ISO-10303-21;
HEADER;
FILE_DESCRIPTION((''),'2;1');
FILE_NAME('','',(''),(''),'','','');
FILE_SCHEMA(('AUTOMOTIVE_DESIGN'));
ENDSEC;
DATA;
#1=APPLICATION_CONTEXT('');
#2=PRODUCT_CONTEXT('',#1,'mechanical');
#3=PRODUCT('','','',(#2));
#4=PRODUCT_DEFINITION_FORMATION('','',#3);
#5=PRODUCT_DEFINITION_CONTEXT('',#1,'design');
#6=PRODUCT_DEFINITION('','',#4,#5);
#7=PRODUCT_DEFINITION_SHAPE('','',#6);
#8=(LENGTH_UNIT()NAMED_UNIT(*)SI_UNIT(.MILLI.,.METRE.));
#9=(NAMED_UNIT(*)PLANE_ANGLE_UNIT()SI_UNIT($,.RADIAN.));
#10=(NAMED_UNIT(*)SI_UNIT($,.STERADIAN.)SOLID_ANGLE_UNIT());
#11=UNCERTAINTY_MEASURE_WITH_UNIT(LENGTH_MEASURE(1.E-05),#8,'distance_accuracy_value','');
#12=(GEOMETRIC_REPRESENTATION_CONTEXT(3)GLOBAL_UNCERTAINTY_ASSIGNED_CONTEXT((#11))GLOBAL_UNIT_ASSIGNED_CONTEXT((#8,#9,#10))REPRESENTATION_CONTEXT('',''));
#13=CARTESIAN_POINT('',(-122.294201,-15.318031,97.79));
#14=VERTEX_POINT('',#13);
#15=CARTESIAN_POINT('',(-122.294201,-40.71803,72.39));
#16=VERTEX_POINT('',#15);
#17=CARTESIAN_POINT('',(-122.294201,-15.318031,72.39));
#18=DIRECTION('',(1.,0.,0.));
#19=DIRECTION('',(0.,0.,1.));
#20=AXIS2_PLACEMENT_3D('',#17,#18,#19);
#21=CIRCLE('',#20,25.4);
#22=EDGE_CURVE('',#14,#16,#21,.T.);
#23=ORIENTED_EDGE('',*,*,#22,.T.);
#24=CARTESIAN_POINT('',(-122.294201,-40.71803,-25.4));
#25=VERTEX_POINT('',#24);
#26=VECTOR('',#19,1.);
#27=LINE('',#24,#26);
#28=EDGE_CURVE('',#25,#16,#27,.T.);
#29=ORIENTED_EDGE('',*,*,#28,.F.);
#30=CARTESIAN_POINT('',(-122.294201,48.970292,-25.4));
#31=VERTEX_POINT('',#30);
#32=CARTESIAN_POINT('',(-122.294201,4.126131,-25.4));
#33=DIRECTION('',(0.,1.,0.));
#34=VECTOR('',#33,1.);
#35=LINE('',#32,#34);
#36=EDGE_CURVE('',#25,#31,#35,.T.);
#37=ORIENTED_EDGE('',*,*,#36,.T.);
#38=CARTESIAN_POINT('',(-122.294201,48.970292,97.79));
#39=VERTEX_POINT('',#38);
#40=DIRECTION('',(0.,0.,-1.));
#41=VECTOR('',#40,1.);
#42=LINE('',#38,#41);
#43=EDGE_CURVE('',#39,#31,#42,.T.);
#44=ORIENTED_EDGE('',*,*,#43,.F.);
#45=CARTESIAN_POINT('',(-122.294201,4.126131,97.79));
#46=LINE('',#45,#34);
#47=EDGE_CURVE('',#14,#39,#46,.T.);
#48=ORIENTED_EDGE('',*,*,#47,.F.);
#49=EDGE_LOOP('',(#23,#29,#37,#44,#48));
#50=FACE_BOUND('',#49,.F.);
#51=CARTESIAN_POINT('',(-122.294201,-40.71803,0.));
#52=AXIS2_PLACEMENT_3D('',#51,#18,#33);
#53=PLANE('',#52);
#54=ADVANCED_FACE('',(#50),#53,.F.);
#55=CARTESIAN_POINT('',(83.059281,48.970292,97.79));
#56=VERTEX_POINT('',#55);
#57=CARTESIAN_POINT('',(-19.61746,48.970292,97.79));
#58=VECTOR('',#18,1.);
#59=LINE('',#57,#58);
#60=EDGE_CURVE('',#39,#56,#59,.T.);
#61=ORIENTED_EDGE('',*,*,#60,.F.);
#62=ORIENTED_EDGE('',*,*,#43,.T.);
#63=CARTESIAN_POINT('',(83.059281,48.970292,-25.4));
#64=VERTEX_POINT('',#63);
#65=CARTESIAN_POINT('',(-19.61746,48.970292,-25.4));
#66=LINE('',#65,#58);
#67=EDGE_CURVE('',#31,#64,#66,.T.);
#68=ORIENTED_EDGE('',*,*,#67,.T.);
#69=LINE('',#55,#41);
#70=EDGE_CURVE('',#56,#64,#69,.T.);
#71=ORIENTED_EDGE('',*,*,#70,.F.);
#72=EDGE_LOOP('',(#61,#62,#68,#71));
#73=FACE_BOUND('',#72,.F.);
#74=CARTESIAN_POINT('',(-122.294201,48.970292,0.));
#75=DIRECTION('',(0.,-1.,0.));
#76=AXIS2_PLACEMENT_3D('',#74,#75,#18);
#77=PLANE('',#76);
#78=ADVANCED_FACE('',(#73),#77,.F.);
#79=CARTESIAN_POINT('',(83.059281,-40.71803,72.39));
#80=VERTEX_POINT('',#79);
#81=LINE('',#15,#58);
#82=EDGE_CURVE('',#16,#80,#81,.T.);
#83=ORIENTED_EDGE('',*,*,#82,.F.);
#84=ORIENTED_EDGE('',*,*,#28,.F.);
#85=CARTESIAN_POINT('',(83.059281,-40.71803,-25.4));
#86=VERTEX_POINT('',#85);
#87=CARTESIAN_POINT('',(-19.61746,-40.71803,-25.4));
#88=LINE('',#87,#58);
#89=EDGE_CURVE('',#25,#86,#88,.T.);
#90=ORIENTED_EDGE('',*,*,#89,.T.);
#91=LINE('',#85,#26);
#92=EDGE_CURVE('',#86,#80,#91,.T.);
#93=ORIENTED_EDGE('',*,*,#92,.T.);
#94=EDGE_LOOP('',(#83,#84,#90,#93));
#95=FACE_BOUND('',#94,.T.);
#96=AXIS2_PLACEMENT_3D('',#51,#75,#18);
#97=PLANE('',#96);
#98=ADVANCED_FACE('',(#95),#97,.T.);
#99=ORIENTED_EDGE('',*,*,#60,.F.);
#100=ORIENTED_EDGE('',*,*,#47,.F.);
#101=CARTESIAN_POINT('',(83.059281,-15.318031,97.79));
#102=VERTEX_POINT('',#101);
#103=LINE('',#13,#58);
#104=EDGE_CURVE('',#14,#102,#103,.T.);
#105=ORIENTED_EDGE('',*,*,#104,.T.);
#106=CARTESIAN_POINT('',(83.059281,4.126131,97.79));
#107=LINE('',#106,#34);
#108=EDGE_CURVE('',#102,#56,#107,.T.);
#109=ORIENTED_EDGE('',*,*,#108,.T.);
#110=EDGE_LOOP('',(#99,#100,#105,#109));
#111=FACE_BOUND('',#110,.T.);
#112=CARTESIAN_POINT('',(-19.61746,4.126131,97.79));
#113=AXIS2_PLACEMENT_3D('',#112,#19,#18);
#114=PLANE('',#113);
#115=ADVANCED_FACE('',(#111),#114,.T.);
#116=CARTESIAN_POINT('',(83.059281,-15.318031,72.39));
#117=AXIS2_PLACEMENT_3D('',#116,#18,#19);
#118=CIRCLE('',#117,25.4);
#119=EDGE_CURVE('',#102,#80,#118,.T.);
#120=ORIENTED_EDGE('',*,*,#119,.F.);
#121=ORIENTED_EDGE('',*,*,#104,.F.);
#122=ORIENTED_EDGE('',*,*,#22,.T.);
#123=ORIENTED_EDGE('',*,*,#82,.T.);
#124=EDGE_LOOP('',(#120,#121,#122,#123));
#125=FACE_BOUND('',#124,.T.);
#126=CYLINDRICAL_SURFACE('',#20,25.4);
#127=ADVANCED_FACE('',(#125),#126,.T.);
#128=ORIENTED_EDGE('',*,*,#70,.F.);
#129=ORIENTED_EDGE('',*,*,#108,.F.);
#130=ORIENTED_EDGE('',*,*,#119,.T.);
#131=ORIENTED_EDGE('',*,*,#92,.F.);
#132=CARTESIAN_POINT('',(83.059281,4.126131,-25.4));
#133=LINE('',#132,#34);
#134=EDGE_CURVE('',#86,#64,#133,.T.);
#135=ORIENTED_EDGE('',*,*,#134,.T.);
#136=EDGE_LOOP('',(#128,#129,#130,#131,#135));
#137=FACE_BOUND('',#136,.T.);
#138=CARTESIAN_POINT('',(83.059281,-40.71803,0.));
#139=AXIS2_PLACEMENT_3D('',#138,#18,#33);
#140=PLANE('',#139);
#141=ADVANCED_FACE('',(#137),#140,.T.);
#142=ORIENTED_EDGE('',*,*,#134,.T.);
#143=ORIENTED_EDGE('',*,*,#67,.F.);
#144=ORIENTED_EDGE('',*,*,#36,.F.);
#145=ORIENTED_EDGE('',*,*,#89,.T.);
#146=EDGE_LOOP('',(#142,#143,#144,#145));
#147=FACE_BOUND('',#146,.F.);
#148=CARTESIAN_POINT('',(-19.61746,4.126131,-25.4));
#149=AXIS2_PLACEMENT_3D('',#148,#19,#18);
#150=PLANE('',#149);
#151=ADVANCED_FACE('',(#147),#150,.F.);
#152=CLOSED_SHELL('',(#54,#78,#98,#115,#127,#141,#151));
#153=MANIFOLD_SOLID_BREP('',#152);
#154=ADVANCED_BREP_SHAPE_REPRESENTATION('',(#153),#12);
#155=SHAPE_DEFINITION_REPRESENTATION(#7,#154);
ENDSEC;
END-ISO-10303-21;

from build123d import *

# Parameters (mm, degrees)
F0_W          = 205.353483
F0_H          = 89.688323
F1_DEPTH      = 97.79
F1_DEPTH_BACK = 25.4
F2_R          = 25.4


with BuildPart() as f1:
    # F0 (on Top) → F1 (new body, two sides)
    with BuildSketch(Plane.XY) as f1_sk:
        with Locations((-19.61746, 4.126131)):
            Rectangle(F0_W, F0_H)
    extrude(amount=F1_DEPTH)
    extrude(f1_sk.sketch, amount=-F1_DEPTH_BACK)

    # F2
    f2_edges = [f1.edges().sort_by_distance(p)[0] for p in [
        (-19.617461, -40.71803, 97.79),
    ]]
    fillet(f2_edges, radius=F2_R)


solid = f1.part
